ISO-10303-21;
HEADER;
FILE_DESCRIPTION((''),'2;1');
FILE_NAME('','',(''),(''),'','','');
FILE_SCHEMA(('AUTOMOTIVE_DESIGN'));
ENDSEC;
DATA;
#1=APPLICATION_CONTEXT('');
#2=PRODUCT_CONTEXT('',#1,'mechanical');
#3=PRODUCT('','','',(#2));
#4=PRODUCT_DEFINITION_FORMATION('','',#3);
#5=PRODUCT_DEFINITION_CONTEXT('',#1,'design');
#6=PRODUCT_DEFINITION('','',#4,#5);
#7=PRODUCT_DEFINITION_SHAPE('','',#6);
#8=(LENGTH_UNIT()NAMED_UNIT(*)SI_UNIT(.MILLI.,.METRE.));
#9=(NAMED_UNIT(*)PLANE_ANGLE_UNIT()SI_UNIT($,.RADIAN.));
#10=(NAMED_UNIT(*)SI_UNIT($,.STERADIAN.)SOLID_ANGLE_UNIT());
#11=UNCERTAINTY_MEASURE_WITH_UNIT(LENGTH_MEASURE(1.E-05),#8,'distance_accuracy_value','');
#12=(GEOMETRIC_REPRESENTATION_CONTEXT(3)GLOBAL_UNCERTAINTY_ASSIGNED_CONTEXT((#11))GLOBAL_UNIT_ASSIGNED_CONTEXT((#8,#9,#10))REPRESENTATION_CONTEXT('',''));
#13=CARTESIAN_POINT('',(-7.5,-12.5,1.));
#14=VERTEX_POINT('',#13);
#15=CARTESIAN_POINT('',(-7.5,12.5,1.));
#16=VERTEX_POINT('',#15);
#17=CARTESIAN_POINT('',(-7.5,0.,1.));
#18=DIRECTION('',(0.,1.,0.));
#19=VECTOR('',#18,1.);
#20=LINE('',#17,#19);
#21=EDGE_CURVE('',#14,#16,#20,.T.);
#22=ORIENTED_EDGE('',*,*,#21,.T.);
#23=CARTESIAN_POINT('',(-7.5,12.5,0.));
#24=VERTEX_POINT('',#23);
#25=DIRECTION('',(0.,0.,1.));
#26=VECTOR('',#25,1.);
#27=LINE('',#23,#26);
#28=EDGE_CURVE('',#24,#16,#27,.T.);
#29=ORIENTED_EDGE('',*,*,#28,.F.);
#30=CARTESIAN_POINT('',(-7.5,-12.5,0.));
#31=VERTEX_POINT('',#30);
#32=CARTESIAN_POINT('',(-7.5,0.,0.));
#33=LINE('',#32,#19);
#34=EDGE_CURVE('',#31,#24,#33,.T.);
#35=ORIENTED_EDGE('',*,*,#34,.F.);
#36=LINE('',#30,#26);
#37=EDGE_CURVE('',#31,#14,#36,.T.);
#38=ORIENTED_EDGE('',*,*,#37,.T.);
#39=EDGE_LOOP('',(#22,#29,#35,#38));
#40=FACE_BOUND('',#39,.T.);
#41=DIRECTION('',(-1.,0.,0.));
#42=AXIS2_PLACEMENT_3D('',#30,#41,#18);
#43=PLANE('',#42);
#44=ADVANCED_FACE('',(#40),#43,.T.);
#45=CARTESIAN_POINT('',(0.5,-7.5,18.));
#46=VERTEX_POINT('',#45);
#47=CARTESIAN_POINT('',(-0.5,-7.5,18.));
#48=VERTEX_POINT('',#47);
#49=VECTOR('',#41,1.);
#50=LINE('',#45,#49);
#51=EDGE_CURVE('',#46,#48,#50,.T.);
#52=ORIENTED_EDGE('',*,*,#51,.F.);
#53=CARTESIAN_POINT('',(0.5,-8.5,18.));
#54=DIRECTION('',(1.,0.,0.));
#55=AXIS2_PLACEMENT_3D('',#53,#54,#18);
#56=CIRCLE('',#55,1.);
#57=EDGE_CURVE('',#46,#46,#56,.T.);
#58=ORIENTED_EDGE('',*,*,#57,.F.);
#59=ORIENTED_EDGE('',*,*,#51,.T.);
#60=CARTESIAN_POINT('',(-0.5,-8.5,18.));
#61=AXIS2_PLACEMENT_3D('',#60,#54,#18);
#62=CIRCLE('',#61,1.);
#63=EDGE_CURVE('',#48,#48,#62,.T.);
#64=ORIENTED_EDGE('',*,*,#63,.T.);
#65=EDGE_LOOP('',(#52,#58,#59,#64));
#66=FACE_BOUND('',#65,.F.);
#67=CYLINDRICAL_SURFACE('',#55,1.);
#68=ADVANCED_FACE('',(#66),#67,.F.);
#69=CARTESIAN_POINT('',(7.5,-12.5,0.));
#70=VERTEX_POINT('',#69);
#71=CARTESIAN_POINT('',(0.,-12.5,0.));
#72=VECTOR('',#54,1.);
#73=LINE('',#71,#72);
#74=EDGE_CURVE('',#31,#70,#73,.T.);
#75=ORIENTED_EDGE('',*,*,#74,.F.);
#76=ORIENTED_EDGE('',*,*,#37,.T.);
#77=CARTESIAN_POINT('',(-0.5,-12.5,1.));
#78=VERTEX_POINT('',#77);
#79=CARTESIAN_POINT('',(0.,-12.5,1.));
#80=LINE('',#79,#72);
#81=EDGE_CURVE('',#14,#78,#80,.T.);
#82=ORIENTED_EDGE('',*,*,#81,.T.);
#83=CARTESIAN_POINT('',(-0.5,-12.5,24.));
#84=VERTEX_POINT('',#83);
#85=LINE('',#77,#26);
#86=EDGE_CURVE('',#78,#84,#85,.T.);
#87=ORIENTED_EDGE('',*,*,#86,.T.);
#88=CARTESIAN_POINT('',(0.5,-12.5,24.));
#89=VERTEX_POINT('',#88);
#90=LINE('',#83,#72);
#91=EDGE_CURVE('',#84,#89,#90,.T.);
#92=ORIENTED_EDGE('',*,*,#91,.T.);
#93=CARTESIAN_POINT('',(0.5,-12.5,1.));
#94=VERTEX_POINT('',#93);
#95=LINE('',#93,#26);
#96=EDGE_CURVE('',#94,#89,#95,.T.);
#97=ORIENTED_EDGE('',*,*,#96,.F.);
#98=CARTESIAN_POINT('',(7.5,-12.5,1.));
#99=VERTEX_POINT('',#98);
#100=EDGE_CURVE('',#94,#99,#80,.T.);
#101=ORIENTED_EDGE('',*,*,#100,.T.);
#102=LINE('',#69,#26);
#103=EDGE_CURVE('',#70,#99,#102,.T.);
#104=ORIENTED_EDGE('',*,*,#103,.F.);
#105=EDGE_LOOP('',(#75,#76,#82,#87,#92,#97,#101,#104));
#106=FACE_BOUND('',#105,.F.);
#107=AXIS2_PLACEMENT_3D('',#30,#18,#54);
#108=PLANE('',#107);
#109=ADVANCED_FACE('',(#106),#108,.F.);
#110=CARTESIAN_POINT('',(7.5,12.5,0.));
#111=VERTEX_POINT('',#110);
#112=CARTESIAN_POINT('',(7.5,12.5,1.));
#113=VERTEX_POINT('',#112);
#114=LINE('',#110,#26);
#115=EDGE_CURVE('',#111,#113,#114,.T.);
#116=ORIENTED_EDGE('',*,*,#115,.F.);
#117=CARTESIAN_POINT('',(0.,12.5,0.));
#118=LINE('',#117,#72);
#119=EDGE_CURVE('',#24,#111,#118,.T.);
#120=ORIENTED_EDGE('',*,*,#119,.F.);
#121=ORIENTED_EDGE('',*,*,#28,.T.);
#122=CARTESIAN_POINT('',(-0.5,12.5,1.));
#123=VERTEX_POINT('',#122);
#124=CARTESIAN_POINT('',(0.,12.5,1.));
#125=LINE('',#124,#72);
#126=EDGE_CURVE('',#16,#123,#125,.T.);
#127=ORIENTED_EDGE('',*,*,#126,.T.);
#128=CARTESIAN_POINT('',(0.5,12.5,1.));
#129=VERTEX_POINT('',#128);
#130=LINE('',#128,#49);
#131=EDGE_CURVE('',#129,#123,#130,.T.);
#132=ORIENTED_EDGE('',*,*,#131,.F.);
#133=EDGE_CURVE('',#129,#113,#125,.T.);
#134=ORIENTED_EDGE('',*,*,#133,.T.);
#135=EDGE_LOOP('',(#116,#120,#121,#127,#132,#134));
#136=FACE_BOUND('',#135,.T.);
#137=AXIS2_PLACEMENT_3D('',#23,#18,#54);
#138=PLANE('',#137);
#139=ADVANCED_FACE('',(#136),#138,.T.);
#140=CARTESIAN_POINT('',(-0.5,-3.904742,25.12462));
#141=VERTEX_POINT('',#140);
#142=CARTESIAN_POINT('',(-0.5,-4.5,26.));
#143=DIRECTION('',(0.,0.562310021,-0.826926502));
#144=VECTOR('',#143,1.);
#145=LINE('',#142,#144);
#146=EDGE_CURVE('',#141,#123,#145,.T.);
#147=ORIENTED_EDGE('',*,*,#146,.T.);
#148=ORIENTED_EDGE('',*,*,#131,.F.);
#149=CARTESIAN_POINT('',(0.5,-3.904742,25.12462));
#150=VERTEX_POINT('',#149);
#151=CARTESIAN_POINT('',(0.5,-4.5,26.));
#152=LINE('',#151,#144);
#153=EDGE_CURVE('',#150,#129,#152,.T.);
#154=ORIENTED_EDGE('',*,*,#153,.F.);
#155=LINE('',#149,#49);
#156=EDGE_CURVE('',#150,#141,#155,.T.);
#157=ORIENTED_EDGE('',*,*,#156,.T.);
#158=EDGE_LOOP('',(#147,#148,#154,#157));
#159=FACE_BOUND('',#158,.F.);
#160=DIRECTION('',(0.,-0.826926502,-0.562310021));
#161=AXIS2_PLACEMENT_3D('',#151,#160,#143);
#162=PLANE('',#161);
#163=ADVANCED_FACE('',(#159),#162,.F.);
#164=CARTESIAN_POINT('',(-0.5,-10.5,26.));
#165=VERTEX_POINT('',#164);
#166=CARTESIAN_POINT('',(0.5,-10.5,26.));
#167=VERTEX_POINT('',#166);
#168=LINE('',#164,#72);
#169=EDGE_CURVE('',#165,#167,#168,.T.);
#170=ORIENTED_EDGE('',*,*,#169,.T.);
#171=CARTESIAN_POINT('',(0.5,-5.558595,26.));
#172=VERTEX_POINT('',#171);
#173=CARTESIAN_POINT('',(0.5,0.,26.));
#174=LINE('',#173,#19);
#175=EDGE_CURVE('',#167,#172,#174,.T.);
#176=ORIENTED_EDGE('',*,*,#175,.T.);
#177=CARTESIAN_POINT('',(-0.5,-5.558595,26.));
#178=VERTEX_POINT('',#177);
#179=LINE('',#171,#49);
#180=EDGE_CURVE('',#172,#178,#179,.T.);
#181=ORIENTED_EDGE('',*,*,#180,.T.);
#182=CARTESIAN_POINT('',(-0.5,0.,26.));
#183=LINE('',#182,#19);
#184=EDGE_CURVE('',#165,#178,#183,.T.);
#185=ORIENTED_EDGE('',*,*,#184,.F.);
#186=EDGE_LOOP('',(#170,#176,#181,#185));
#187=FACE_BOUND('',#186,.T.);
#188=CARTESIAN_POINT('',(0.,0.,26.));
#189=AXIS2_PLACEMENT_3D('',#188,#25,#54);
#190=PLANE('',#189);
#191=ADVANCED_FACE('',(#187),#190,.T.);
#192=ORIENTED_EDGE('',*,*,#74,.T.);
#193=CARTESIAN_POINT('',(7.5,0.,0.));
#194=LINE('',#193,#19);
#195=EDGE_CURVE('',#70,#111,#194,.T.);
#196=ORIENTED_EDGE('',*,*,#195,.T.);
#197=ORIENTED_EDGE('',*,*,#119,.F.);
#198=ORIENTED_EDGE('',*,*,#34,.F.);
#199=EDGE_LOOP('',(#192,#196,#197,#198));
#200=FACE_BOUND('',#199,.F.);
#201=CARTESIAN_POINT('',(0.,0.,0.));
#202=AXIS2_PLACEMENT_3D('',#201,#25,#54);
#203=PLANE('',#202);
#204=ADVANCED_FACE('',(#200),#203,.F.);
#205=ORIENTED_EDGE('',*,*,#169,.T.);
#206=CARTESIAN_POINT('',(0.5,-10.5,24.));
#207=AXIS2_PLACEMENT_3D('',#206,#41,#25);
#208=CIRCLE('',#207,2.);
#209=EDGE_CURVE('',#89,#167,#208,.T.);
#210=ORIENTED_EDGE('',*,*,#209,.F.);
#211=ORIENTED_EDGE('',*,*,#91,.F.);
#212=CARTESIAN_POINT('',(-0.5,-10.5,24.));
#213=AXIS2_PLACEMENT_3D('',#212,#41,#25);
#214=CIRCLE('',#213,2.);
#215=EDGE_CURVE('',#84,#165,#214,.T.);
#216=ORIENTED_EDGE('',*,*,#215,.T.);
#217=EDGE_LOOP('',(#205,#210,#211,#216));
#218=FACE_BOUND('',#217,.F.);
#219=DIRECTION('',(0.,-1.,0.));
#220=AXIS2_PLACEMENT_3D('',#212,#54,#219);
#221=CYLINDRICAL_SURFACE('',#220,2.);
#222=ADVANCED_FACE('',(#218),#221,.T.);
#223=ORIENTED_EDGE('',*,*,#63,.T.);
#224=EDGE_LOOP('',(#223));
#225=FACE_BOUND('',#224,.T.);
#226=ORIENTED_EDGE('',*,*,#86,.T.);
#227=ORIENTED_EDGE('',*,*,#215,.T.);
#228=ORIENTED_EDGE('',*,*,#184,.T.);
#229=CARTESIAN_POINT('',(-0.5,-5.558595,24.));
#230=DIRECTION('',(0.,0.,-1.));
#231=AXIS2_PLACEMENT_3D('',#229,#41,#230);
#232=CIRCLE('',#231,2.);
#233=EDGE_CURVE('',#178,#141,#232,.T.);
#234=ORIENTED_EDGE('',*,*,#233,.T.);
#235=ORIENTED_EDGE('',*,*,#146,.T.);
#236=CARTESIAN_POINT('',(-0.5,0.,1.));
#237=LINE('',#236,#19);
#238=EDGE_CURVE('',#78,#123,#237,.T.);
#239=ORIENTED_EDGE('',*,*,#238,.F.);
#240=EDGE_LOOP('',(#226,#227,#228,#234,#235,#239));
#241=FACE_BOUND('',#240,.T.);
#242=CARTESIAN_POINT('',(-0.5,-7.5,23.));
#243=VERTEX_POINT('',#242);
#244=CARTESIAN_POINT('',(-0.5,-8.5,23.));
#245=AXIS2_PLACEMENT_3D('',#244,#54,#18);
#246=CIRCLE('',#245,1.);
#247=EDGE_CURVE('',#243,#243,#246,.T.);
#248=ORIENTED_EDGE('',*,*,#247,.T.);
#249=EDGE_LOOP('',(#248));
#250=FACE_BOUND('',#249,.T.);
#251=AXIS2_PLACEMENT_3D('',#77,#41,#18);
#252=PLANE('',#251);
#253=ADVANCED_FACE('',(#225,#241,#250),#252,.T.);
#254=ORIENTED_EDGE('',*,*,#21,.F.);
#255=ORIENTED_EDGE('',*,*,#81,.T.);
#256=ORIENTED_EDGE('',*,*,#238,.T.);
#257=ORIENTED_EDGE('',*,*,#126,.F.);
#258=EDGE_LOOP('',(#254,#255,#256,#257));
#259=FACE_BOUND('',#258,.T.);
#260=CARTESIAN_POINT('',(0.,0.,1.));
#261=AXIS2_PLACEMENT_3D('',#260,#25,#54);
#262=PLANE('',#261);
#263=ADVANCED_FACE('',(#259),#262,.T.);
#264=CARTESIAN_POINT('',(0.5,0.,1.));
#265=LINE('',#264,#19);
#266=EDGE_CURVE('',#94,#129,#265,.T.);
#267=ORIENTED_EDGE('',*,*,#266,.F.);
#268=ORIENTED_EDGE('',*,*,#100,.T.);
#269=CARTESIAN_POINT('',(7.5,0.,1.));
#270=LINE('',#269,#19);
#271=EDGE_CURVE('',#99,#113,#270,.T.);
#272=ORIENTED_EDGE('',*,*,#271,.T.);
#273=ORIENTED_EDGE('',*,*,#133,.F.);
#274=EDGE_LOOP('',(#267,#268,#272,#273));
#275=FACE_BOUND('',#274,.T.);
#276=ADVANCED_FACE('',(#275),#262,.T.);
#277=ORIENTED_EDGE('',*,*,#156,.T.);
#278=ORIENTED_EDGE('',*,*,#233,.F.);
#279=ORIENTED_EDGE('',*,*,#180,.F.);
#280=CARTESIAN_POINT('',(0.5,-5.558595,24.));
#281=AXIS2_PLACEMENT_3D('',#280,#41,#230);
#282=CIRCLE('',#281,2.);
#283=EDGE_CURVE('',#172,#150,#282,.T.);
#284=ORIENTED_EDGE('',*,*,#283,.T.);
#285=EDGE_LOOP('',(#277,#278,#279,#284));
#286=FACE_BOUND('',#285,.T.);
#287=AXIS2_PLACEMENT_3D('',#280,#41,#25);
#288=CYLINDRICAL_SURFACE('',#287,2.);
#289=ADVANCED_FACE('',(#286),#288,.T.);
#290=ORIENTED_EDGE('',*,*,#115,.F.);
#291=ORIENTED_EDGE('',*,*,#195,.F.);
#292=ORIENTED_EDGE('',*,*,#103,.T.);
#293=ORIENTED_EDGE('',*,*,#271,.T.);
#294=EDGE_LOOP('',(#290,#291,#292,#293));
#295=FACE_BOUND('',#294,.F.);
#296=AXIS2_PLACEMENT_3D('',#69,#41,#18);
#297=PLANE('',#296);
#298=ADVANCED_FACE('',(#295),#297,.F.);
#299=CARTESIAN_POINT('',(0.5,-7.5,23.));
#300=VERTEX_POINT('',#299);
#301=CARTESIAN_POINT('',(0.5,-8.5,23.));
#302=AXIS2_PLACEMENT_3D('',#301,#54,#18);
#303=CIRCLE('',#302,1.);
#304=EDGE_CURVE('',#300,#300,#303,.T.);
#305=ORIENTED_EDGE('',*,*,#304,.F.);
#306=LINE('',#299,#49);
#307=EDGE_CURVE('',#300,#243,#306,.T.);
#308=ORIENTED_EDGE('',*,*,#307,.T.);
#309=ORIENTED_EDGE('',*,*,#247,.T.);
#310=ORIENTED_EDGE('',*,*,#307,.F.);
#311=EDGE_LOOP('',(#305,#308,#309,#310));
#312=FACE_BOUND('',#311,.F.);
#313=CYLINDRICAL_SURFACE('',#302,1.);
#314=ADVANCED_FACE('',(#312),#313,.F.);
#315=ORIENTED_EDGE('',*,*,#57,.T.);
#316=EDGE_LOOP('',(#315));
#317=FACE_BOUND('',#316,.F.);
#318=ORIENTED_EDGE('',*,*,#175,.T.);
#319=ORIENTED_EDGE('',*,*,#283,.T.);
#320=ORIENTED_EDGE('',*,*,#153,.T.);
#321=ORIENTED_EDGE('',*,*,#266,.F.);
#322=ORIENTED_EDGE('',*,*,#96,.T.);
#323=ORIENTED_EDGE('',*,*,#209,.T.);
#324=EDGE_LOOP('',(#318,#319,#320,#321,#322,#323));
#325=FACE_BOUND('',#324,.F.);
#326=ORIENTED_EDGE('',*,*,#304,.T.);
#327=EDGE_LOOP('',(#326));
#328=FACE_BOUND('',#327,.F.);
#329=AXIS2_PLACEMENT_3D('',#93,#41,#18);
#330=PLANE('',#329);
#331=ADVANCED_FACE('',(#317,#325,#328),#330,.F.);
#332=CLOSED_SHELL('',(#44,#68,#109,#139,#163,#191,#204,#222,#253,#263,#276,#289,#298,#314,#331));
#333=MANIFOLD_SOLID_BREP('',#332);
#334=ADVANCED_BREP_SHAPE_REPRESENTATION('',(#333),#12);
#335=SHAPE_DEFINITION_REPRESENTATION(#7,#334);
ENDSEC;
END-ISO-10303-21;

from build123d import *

# Parameters (mm, degrees)
F0_W     = 15
F0_H     = 25
F1_DEPTH = 1
F2_W     = 1
F2_H     = 25
F3_DEPTH = 25
F4_R     = 1
F5_DEPTH = 1
F6_R     = 2


with BuildPart() as f1:
    # F0 (on Top) → F1 (new body)
    with BuildSketch(Plane.XY):
        Rectangle(F0_W, F0_H)
    extrude(amount=F1_DEPTH)

    # F2 (on face) → F3 (join)
    with BuildSketch(Plane.XY.offset(1)):
        Rectangle(F2_W, F2_H)
    extrude(amount=F3_DEPTH)

    # F4 (on face) → F5 (cut, through all)
    with BuildSketch(Plane.YZ.offset(0.5)):
        Polygon((-4.5, 26), (12.5, 1), (12.5, 26), align=None)
        with Locations((-8.5, 23)):
            Circle(F4_R)
        with Locations((-8.5, 18)):
            Circle(F4_R)
    extrude(amount=-F5_DEPTH, mode=Mode.SUBTRACT)

    # F6
    f6_edges = [f1.edges().sort_by_distance(p)[0] for p in [
        (0, -12.5, 26),
        (0, -4.5, 26),
    ]]
    fillet(f6_edges, radius=F6_R)


solid = f1.part
